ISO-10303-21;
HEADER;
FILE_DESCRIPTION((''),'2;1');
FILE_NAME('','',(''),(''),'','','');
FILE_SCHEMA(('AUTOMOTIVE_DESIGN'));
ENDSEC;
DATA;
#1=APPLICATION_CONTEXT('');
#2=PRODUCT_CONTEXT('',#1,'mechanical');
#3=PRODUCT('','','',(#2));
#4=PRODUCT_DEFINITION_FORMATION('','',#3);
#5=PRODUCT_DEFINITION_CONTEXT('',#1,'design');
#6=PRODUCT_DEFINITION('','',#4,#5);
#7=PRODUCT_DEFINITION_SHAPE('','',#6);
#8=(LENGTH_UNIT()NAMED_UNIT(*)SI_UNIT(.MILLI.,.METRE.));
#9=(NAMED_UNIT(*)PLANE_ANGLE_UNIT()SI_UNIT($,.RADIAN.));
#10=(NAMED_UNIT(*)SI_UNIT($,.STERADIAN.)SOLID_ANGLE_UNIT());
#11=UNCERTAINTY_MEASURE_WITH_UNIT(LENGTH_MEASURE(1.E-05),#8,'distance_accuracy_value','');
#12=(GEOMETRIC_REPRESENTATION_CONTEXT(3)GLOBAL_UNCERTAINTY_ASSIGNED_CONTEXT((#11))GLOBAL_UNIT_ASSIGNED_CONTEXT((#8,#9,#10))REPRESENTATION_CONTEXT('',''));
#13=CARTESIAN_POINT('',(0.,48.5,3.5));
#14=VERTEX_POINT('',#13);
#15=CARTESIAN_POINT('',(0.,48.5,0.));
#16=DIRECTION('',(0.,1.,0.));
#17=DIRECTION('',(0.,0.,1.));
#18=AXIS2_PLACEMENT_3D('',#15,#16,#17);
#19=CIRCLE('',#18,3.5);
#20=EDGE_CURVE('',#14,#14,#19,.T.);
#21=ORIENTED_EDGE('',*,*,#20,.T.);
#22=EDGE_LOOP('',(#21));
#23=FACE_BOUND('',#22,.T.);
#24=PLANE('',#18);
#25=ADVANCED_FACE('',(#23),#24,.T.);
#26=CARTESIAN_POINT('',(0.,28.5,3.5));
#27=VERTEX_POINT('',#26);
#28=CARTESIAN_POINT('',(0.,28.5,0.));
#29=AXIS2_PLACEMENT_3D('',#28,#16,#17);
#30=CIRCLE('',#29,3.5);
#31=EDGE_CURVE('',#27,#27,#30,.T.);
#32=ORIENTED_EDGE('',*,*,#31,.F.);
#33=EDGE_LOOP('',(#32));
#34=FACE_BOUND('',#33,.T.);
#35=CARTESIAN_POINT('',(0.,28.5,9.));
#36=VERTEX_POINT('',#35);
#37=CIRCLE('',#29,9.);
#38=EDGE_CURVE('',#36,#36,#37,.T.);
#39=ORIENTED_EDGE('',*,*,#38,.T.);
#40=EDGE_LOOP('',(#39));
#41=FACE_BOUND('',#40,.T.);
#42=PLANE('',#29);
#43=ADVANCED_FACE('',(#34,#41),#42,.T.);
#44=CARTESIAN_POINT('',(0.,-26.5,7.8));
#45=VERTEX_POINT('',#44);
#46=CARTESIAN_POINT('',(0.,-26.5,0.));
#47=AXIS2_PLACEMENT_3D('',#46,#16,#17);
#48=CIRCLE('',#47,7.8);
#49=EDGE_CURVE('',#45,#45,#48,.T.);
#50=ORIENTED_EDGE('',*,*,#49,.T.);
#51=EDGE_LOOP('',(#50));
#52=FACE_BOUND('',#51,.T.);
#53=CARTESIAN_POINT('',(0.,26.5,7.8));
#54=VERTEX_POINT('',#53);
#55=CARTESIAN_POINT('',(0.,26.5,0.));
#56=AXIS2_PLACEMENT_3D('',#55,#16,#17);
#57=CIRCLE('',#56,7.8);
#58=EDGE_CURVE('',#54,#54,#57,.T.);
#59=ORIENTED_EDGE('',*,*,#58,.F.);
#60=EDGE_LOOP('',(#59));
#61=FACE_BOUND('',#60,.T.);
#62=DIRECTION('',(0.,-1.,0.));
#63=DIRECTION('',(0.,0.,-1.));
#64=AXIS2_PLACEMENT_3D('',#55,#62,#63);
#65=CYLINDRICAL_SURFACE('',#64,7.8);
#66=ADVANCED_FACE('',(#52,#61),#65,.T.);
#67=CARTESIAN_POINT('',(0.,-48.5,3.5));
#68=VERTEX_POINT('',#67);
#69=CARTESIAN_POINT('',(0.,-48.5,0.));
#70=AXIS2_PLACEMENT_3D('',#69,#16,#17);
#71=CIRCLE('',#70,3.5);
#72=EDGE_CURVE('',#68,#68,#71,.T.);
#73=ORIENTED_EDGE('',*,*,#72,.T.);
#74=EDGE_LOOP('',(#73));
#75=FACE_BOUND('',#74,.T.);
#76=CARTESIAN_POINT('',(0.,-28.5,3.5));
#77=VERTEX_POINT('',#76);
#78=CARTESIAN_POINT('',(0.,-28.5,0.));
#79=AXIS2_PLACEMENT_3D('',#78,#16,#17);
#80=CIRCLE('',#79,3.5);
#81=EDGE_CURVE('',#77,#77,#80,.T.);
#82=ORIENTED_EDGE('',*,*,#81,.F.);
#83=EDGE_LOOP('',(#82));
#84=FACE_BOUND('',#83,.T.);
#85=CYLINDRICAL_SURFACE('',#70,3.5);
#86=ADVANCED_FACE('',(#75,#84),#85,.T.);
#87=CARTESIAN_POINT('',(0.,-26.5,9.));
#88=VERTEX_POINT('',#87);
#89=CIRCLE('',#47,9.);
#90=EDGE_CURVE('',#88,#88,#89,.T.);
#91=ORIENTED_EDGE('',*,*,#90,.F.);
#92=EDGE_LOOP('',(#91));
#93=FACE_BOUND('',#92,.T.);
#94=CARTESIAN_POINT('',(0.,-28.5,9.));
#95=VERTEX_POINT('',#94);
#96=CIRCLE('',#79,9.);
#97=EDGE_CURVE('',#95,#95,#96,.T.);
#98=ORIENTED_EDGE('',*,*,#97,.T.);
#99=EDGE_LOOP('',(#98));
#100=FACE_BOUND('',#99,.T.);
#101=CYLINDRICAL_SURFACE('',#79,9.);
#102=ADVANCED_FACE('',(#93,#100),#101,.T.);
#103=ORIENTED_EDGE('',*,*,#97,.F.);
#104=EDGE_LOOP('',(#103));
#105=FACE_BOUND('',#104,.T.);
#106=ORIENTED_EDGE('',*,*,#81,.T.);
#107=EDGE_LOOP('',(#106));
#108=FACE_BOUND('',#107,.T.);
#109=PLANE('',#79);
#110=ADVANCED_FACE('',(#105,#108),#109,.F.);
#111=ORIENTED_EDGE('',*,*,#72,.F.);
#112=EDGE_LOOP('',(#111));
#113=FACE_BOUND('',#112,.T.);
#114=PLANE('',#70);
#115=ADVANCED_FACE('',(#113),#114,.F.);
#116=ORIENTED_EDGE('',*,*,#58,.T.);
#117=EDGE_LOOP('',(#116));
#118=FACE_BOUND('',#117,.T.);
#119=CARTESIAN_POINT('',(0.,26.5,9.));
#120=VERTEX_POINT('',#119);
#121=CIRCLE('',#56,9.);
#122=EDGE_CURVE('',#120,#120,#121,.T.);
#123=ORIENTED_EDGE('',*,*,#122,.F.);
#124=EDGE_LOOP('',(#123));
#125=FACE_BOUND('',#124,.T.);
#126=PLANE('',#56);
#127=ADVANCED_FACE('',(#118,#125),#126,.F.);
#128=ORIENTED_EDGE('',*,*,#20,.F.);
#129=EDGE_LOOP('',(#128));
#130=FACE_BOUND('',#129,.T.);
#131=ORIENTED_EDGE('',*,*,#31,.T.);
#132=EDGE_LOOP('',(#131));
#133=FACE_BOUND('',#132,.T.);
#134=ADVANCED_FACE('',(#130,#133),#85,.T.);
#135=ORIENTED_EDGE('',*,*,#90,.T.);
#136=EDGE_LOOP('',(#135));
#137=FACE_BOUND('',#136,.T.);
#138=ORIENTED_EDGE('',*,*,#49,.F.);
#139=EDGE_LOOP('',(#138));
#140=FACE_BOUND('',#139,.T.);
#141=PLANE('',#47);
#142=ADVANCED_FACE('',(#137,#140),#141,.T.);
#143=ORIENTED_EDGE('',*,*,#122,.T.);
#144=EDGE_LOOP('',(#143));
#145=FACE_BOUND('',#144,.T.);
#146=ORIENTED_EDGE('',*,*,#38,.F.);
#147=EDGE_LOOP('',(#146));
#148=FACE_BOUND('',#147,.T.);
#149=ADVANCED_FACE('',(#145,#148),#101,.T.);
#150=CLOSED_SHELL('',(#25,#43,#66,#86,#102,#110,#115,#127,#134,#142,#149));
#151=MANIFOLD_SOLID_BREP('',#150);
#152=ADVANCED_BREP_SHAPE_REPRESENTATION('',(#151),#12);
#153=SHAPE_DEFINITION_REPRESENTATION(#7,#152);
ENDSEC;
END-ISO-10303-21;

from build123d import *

# Parameters (mm, degrees)
EXTRUDE2_DEPTH          = 28.5
EXTRUDE2_DEPTH_BACK     = 28.5
SKETCH3_R               = 9
CUT_EXTRUDE2_DEPTH      = 26.5
CUT_EXTRUDE2_DEPTH_BACK = 26.5
SKETCH4_R               = 9
SKETCH4_R_2             = 7.8
EXTRUDE3_DEPTH          = 48.5
EXTRUDE3_DEPTH_BACK     = 48.5
SKETCH5_R               = 3.5


with BuildPart() as part:
    # Sketch3 → Extrude2 (new, two sides: drawn at the far end of the back side and taken through both)
    with BuildSketch(Plane(origin=(0, 0, 0), x_dir=(1, 0, 0), z_dir=(0, 1, 0)).offset(-EXTRUDE2_DEPTH_BACK)):
        Circle(SKETCH3_R)
    extrude(amount=EXTRUDE2_DEPTH + EXTRUDE2_DEPTH_BACK)

    # Sketch4 → Cut-Extrude2 (cut, two sides: drawn at the far end of the back side and taken through both)
    with BuildSketch(Plane(origin=(0, 0, 0), x_dir=(1, 0, 0), z_dir=(0, 1, 0)).offset(-CUT_EXTRUDE2_DEPTH_BACK)):
        Circle(SKETCH4_R)
        Circle(SKETCH4_R_2, mode=Mode.SUBTRACT)
    extrude(amount=CUT_EXTRUDE2_DEPTH + CUT_EXTRUDE2_DEPTH_BACK, mode=Mode.SUBTRACT)

    # Sketch5 → Extrude3 (add, two sides: drawn at the far end of the back side and taken through both)
    with BuildSketch(Plane(origin=(0, 0, 0), x_dir=(1, 0, 0), z_dir=(0, 1, 0)).offset(-EXTRUDE3_DEPTH_BACK)):
        Circle(SKETCH5_R)
    extrude(amount=EXTRUDE3_DEPTH + EXTRUDE3_DEPTH_BACK)


solid = part.part
